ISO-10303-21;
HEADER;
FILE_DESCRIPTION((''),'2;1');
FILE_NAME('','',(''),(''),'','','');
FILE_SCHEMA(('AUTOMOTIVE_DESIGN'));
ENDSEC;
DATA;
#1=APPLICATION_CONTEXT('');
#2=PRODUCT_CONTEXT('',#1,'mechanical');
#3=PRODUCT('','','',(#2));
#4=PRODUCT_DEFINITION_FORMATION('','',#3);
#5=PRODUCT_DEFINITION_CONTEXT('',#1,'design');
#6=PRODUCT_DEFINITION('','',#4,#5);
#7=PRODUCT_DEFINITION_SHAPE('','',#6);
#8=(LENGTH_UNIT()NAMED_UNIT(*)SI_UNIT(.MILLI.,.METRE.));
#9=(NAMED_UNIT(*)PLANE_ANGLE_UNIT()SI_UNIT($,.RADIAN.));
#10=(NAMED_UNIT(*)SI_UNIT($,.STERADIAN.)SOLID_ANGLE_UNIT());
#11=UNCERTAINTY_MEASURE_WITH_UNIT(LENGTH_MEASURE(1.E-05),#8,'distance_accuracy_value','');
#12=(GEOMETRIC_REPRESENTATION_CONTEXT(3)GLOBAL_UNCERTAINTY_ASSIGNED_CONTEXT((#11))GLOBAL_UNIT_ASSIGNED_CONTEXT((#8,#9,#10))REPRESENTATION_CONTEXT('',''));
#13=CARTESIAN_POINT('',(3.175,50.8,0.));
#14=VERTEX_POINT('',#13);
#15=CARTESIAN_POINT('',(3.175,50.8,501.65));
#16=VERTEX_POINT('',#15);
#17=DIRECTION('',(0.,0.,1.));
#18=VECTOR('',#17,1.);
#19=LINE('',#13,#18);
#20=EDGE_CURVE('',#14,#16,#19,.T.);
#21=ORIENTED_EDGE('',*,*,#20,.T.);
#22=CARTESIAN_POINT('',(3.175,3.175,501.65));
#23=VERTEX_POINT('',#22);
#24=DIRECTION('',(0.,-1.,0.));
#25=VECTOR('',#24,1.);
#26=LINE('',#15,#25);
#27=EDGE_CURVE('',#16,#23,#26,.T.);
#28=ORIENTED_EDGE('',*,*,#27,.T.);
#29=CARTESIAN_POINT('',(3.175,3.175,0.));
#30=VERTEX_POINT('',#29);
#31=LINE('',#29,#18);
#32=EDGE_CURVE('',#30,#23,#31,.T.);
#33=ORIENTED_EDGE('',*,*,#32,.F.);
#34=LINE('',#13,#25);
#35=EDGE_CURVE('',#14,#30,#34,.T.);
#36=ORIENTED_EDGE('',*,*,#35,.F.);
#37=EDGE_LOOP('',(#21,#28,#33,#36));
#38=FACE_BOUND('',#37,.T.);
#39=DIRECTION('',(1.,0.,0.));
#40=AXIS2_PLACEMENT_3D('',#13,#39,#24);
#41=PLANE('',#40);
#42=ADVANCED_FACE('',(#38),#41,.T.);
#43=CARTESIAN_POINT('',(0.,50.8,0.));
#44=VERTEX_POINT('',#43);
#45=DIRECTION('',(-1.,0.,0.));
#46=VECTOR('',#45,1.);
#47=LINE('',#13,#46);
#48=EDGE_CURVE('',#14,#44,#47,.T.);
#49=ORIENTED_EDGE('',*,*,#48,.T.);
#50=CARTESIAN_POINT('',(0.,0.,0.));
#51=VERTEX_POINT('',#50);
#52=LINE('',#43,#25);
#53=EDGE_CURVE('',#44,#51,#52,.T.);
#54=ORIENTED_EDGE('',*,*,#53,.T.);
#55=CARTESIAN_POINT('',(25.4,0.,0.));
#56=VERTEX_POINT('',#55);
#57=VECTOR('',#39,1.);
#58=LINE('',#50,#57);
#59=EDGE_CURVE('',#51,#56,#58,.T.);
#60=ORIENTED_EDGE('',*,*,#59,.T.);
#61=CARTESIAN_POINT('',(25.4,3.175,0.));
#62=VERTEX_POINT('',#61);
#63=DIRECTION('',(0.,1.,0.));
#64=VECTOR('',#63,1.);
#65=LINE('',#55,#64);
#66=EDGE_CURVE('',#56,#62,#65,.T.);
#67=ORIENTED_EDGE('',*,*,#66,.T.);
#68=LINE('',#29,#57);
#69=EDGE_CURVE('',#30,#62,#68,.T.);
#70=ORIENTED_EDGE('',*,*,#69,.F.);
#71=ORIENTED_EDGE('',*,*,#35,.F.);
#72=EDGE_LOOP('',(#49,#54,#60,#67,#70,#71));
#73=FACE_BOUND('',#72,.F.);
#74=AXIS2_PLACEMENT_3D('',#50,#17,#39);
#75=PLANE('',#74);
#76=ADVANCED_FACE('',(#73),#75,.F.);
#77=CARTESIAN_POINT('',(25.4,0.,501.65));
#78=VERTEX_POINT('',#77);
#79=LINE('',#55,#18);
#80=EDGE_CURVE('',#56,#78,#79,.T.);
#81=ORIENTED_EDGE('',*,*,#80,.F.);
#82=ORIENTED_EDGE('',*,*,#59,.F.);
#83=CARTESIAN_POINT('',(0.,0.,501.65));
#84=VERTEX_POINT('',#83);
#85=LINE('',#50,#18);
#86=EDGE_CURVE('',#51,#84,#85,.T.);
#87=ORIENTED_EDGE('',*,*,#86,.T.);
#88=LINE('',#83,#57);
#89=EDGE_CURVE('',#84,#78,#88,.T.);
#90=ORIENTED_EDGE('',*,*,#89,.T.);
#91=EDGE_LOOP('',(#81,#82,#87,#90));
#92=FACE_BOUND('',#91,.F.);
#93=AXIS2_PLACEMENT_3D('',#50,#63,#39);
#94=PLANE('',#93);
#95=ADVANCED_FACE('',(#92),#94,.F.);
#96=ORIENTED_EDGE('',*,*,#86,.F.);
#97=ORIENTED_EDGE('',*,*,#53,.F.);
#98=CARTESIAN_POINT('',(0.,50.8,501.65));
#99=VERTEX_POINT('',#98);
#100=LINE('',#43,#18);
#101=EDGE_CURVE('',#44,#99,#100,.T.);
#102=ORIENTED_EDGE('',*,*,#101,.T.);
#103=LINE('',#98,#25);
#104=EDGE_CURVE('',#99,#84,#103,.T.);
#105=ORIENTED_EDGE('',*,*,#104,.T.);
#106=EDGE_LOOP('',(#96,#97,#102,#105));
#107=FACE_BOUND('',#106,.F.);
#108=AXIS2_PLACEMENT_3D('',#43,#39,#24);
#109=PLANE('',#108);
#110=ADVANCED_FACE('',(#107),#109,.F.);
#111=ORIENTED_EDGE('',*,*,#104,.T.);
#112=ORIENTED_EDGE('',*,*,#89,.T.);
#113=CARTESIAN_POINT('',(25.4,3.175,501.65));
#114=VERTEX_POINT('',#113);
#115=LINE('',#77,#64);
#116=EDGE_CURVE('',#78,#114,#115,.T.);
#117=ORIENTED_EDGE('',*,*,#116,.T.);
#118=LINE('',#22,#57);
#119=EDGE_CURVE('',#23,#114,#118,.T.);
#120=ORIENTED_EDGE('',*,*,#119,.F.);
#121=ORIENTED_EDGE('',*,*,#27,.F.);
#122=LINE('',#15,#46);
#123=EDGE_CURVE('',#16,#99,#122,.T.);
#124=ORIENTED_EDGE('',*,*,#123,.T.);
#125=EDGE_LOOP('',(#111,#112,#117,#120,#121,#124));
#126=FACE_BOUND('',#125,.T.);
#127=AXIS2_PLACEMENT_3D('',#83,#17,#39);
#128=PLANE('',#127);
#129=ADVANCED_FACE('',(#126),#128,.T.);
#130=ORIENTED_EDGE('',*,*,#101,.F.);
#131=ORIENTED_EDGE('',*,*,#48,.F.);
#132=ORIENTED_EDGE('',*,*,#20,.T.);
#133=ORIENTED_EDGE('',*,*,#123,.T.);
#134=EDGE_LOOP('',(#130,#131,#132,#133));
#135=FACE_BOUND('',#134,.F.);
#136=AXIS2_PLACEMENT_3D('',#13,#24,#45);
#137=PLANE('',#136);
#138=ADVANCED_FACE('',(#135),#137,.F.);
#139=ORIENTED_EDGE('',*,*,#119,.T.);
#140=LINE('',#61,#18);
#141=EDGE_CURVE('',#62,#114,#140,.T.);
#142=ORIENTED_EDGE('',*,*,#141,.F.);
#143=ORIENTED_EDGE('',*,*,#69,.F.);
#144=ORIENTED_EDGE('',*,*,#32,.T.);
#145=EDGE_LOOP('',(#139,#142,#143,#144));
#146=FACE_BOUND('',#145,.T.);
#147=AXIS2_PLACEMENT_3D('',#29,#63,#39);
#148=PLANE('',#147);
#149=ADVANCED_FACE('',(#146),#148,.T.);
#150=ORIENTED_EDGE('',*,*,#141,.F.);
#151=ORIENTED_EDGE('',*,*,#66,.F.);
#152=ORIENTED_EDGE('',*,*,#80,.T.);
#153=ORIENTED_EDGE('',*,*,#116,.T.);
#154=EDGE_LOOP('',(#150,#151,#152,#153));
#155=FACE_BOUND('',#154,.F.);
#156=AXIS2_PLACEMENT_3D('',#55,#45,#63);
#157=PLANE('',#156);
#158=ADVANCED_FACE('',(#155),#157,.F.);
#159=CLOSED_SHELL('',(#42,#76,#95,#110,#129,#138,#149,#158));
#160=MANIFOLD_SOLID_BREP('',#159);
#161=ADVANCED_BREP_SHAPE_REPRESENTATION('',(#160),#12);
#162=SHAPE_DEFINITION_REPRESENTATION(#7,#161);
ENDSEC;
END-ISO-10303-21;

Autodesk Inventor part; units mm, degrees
ref_plane "YZ Plane" through (0, 0, 0) normal (1, 0, 0) x (0, 1, 0)
ref_plane "XZ Plane" through (0, 0, 0) normal (0, 1, 0) x (-1, 0, 0)
ref_plane "XY Plane" through (0, 0, 0) normal (0, 0, 1) x (1, 0, 0)
sketch "Sketch1" plane through (0, 0, 0) normal (0, 0, 1) x (1, 0, 0)
  line L0 (0, 0) -> (25.4, 0)
  line L1 (25.4, 0) -> (25.4, 3.175)
  line L2 (3.175, 50.8) -> (0, 50.8)
  line L3 (0, 50.8) -> (0, 0)
  line L4 (3.175, 50.8) -> (3.175, 3.175)
  line L5 (3.175, 3.175) -> (25.4, 3.175)
  dimension "d0" = 50.8
  dimension "d1" = 25.4
  dimension "d2" = 3.175
  dimension "d3" = 3.175
extrude "Extrusion1" add sketch "Sketch1" along normal blind 501.65
properties part number "manipulator side L brace"
